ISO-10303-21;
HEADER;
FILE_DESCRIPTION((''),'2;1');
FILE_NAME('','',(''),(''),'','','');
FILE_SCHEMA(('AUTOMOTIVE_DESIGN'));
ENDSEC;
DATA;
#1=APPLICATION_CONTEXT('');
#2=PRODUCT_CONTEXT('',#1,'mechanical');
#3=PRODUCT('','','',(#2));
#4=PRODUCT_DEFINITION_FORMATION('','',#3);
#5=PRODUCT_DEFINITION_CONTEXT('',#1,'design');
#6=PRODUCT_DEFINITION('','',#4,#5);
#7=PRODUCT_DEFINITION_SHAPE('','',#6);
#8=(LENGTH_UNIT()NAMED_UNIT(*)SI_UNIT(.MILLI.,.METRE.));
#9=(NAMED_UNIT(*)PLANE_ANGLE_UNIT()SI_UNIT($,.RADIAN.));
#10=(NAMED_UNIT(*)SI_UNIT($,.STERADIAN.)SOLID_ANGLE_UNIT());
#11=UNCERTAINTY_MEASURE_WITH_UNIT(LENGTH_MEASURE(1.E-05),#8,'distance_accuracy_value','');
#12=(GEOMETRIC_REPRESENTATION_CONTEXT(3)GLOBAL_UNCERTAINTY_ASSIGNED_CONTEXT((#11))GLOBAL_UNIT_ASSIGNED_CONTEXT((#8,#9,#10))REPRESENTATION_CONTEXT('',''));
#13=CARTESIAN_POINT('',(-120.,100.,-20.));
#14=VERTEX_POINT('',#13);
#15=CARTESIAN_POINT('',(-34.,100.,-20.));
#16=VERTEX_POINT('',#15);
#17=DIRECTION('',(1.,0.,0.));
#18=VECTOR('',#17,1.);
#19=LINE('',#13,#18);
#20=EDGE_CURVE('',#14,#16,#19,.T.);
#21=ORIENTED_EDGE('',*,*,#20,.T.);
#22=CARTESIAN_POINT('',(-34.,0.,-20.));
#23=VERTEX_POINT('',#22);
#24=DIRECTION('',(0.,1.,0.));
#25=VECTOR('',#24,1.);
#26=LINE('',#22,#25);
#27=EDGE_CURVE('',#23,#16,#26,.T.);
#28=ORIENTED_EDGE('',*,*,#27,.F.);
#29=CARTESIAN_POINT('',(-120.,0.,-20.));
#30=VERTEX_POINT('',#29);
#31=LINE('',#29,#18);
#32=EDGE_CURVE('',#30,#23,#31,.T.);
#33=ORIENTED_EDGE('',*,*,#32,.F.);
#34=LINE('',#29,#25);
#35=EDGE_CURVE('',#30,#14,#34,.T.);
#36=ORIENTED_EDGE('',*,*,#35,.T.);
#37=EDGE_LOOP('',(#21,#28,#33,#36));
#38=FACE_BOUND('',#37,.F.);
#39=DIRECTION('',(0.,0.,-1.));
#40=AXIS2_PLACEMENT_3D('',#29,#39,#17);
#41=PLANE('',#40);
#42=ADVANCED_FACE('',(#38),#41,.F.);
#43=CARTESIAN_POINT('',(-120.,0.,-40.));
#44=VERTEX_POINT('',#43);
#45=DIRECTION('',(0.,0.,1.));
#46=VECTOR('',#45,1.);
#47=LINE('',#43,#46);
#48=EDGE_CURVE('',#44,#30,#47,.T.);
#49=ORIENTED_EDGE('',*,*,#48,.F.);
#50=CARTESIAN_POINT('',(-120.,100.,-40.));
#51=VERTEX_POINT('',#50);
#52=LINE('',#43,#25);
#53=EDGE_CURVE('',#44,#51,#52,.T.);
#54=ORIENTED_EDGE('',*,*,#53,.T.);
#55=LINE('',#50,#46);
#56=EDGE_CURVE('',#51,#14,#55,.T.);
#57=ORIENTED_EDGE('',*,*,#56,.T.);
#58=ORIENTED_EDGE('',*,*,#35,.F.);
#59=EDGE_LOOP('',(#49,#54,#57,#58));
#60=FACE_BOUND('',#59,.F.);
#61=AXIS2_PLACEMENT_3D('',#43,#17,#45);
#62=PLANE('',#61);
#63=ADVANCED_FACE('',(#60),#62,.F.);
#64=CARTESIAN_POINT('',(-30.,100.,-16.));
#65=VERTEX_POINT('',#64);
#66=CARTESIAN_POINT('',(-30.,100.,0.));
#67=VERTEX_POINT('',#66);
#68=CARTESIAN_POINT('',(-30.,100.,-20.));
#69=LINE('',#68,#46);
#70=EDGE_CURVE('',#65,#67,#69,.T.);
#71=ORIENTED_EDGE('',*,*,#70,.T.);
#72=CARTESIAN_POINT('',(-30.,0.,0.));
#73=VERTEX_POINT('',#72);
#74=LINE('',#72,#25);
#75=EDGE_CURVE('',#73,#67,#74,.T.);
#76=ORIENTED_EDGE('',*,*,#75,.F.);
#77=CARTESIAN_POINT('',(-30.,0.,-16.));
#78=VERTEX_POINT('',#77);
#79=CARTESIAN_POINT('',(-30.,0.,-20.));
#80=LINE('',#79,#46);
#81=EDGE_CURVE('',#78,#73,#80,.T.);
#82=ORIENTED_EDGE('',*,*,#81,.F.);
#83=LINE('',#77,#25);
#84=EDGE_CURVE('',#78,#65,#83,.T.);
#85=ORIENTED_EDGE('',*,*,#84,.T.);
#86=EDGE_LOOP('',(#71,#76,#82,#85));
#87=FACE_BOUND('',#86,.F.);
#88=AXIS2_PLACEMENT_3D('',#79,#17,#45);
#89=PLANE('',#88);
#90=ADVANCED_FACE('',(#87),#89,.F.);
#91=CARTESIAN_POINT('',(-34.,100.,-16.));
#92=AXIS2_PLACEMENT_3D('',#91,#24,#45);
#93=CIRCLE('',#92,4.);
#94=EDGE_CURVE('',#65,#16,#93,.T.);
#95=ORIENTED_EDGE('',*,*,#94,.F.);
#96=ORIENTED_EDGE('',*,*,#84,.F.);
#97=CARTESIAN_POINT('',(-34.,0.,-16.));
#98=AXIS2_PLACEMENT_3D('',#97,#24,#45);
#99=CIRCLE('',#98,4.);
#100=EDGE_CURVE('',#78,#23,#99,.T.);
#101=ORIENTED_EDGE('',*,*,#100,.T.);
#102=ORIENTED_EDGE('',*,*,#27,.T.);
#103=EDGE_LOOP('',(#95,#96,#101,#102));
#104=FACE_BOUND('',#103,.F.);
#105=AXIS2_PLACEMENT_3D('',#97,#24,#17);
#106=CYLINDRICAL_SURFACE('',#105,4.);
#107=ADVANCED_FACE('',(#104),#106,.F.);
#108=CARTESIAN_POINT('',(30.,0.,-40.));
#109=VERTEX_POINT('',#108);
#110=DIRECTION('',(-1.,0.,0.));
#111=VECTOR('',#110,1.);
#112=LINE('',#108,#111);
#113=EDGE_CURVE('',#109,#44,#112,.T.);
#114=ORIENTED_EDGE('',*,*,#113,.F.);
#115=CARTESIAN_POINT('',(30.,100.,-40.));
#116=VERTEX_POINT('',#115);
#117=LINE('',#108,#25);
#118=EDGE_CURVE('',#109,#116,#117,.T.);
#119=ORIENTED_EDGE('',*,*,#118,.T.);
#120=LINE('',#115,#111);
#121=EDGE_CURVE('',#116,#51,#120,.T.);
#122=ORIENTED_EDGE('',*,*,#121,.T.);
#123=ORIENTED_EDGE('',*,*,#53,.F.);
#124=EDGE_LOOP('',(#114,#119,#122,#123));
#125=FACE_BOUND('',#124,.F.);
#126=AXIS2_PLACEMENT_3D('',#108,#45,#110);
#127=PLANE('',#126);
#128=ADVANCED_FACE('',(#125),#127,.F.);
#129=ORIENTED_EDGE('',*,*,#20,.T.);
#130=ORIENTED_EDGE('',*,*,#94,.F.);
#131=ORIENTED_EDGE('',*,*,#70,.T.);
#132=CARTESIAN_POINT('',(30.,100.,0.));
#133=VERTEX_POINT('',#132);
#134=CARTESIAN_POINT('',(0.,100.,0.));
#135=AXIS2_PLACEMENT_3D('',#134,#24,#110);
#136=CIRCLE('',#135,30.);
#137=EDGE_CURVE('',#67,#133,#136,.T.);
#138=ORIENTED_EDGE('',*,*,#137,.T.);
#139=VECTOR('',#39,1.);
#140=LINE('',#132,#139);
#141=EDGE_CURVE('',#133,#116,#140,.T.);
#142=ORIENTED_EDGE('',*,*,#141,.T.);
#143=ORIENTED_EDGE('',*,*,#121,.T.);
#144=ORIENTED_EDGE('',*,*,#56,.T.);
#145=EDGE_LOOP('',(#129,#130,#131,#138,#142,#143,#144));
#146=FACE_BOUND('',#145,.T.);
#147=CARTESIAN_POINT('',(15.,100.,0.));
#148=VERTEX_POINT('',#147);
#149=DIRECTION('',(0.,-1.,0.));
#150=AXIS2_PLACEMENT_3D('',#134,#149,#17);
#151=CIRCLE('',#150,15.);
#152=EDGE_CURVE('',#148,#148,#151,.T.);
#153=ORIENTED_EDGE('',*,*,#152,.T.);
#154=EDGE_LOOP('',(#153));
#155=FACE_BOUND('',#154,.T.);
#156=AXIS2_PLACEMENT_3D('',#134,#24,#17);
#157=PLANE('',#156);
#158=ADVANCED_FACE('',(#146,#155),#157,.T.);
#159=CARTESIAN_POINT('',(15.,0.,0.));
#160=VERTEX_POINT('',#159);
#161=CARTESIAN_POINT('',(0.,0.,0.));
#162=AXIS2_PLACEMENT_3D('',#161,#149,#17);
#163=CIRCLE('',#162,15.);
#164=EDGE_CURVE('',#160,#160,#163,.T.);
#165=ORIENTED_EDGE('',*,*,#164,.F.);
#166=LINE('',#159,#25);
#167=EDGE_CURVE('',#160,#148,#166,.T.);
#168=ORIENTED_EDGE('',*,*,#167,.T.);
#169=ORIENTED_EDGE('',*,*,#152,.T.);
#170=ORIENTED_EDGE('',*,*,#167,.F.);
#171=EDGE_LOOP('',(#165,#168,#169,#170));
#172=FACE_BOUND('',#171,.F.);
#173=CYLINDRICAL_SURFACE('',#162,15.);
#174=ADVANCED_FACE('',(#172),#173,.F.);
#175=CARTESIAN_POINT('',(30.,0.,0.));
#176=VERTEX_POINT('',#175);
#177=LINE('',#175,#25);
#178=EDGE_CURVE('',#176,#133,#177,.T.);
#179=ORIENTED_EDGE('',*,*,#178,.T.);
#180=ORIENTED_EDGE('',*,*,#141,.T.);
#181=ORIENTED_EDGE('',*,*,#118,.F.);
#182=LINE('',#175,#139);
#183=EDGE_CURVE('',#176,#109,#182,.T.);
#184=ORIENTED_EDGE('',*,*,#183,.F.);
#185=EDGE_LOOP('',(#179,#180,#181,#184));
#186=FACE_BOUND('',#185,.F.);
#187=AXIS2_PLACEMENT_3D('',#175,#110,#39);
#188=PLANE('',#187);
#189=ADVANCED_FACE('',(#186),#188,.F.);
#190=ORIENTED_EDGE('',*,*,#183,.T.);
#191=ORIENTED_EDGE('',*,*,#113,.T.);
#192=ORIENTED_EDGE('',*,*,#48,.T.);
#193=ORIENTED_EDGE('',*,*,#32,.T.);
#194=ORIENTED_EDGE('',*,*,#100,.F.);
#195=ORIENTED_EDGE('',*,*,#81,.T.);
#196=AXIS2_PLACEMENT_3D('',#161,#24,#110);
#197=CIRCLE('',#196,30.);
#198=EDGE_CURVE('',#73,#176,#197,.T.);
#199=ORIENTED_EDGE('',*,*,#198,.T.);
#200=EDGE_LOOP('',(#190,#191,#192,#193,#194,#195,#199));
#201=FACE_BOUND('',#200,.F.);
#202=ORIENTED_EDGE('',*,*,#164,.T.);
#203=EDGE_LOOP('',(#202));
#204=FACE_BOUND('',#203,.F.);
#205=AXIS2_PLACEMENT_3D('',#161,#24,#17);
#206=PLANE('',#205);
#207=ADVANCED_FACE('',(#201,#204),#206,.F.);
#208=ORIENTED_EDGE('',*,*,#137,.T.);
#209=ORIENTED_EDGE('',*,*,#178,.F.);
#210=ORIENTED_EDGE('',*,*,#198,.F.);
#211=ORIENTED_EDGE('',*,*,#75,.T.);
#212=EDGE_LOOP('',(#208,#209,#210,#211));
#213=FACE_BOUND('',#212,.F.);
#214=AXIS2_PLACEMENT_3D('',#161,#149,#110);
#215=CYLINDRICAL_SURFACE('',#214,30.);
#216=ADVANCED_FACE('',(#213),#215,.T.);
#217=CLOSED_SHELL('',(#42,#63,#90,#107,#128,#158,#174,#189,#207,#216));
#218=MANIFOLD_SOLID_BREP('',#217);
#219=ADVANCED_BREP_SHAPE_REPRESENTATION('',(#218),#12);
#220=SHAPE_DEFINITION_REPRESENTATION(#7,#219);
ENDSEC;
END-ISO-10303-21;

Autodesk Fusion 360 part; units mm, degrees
sketch "Sketch1" plane through (0, 0, 0) normal (0, 1, 0) x (1, 0, 0)
  line L0 (30, 40) -> (-120, 40)
  line L1 (-120, 40) -> (-120, 20)
  line L2 (-120, 20) -> (-30, 20)
  line L3 (-30, 20) -> (-30, 0)
  arc A0 (-30, 0) -> (30, 0) centre (0, 0) ccw
  line L4 (30, 0) -> (30, 40)
  dimension "d3" = 30
  dimension "d4" = 150
  dimension "d5" = 20
  dimension "d6" = 40
extrude "Extrude1" add sketch "Sketch1" along normal blind 100
fillet "Fillet1" radius 4 1 edges at (-30, 50, -20)
sketch "Sketch2" plane through (0, 0, 0) normal (0, -1, 0) x (1, 0, 0)
  line L0 (30, -40) -> (30, 0)
  arc A0 (30, 0) -> (-30, 0) centre (0, 0) ccw
  line L1 (-30, 0) -> (-30, -16)
  arc A1 (-34, -20) -> (-30, -16) centre (-34, -16) ccw
  line L2 (-34, -20) -> (-120, -20)
  line L3 (-120, -20) -> (-120, -40)
  line L4 (-120, -40) -> (30, -40)
  circle A2 centre (0, 0) radius 15
  dimension "d10" = 30
extrude "Extrude2" cut sketch "Sketch2" against normal blind 100 contours A2
